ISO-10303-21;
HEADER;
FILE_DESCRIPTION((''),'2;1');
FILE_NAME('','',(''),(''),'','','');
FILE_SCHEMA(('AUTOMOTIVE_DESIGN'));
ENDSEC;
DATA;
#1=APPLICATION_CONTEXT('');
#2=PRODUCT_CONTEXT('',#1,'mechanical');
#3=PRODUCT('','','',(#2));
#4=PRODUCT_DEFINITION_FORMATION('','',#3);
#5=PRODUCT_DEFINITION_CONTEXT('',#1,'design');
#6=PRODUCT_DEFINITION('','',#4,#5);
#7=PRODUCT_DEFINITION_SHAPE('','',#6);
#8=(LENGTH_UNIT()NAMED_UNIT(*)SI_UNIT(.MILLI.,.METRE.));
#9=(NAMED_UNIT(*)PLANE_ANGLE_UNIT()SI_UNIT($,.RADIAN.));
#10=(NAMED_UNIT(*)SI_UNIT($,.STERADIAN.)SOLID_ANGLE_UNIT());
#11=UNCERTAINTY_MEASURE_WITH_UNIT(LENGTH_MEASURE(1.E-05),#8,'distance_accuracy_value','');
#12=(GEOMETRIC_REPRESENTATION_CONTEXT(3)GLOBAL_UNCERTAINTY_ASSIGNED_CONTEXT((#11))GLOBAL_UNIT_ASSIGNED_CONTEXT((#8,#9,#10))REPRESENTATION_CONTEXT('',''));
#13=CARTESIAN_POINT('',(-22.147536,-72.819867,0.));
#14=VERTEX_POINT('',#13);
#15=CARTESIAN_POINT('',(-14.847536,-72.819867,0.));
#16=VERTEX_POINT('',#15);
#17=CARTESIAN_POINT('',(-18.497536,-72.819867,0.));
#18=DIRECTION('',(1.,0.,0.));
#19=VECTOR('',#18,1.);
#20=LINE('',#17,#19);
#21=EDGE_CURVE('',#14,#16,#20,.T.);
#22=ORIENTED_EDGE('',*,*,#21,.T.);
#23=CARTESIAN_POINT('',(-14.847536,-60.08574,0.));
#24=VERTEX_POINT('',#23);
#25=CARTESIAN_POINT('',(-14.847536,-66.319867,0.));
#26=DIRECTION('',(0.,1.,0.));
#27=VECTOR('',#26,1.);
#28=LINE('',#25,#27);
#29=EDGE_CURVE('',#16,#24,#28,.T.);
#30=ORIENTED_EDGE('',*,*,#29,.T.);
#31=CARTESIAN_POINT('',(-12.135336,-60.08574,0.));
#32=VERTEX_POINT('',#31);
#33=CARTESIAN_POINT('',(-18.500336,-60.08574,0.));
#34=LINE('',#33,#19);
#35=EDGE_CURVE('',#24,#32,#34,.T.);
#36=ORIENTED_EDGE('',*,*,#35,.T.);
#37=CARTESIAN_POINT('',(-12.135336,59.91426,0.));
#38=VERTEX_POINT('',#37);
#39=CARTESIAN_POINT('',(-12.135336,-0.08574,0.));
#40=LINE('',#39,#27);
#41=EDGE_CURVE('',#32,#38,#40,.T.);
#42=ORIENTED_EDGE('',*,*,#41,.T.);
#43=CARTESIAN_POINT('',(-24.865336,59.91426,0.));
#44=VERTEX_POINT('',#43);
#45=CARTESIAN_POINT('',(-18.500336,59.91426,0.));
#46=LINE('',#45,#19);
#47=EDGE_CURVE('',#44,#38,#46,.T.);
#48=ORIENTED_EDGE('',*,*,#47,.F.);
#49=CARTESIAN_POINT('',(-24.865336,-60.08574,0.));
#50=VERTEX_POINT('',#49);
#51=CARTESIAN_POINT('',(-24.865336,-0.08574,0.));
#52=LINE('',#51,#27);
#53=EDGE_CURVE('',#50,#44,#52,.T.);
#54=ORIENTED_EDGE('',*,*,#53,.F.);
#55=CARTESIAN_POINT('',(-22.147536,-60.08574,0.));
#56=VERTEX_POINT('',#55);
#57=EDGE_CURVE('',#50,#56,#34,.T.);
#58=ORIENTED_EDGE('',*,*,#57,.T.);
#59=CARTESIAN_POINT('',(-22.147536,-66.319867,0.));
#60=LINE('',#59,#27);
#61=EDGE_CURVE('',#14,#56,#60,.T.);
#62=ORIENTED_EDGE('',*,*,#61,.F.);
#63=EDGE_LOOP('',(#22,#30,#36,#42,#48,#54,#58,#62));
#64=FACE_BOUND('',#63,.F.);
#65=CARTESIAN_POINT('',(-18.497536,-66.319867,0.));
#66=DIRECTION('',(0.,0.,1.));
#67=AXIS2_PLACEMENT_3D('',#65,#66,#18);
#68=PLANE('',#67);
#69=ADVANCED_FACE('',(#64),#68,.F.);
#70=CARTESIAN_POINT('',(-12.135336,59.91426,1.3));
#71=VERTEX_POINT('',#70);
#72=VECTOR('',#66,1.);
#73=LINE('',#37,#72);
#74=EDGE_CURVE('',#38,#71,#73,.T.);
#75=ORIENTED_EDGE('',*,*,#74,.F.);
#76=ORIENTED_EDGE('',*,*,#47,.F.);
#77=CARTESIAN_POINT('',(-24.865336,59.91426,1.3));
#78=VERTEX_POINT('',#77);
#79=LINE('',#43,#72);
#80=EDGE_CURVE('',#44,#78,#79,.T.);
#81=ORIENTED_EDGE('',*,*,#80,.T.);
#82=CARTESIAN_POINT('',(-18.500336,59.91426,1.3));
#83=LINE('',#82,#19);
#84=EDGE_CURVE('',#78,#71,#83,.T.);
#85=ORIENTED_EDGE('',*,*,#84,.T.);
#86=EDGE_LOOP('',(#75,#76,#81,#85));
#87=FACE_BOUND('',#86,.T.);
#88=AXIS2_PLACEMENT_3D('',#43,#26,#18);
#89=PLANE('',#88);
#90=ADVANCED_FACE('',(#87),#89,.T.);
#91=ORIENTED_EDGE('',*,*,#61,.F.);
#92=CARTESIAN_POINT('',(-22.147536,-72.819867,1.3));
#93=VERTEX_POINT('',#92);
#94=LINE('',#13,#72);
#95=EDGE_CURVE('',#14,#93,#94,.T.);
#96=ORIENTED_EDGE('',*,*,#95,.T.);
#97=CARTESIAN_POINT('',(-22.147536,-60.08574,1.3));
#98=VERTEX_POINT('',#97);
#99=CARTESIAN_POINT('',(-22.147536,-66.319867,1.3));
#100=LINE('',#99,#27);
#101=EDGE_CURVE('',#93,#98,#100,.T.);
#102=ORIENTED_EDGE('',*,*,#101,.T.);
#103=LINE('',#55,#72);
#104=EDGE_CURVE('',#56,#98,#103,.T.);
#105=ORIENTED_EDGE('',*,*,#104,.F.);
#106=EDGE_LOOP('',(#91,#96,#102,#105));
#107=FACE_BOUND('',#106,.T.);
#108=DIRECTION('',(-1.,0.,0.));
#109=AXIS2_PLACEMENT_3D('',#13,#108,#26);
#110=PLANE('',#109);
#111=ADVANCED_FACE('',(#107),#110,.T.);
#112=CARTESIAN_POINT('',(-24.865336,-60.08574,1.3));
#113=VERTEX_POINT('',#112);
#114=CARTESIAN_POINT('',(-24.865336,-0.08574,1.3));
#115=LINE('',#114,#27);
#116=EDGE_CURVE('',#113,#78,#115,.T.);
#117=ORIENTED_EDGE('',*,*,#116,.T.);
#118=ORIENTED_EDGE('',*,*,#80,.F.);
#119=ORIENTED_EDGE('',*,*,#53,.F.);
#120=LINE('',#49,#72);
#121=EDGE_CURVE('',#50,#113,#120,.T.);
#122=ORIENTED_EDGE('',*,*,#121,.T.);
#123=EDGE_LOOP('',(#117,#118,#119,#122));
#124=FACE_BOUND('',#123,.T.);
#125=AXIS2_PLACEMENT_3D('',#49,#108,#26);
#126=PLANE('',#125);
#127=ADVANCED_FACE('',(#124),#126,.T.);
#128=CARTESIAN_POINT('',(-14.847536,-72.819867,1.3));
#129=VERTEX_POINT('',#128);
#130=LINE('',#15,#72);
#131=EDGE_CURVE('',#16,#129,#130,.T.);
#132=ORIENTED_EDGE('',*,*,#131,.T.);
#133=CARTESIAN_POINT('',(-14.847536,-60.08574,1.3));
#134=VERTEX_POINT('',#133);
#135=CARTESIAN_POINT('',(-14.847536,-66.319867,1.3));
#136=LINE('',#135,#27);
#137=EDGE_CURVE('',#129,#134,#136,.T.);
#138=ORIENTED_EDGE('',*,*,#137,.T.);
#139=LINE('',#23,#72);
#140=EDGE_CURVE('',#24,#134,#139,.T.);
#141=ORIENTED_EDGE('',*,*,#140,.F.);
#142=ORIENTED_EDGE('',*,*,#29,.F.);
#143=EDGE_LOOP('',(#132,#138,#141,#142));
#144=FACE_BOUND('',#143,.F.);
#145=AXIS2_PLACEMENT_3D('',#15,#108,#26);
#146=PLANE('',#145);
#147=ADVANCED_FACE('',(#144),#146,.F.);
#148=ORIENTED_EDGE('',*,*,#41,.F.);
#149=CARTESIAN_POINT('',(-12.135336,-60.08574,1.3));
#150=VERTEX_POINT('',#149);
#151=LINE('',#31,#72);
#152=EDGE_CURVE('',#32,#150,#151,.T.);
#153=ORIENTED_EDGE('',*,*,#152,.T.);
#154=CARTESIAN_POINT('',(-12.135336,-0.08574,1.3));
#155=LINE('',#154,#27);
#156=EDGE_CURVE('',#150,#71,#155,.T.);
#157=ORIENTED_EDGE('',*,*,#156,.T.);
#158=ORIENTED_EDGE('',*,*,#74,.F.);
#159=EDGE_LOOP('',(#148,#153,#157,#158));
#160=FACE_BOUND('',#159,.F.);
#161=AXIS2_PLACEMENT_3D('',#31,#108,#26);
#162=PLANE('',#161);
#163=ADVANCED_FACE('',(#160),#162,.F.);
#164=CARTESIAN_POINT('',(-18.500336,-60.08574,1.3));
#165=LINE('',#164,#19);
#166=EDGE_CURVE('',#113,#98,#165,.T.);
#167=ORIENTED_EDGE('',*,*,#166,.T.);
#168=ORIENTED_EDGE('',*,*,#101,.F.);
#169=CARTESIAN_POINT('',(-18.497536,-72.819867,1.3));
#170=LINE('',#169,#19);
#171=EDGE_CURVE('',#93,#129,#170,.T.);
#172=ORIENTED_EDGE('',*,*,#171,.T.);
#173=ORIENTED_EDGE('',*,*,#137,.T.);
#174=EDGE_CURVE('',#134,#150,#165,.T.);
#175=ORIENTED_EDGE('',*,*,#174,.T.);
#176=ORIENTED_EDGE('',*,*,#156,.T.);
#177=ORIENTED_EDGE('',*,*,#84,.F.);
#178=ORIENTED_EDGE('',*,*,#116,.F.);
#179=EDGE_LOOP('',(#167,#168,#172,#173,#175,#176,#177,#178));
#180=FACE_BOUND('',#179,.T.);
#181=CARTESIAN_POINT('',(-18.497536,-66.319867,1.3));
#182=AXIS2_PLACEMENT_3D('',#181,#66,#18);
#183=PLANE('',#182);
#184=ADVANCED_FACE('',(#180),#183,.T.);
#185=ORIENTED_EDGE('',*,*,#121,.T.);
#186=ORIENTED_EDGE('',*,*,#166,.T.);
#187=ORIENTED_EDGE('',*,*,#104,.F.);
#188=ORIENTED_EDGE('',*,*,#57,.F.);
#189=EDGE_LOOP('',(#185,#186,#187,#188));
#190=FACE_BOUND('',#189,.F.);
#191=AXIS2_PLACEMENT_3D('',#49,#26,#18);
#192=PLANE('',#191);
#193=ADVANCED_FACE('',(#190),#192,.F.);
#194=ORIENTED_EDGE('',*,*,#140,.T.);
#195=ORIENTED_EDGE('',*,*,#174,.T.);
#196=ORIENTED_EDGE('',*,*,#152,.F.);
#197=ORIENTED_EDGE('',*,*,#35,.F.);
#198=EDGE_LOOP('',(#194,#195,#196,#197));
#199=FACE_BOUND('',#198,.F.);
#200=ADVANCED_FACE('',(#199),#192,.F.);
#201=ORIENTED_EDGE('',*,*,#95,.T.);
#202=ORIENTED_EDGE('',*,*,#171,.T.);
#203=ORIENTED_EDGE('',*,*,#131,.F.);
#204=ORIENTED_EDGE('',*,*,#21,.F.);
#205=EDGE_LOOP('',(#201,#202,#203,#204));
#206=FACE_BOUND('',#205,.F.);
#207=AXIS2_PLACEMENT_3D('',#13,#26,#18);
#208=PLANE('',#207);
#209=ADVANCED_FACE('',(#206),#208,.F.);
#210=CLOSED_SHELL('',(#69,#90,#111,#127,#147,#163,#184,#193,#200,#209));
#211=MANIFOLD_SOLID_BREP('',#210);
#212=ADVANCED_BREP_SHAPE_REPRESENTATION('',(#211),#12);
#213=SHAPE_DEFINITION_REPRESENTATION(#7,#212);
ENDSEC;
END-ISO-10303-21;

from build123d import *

# Parameters (mm, degrees)
F0_W     = 12.73
F0_H     = 120
F1_DEPTH = 1.3
F2_W     = 7.3
F2_H     = 13
F3_DEPTH = 1.3


with BuildPart() as f1:
    # F0 (on Top) → F1 (new body)
    with BuildSketch(Plane.XY):
        with Locations((-18.500336, -0.08574)):
            Rectangle(F0_W, F0_H)
    extrude(amount=F1_DEPTH)

    # F2 (on Top) → F3 (join)
    with BuildSketch(Plane.XY):
        with Locations((-18.497536, -66.319867)):
            Rectangle(F2_W, F2_H)
    extrude(amount=F3_DEPTH)


solid = f1.part
